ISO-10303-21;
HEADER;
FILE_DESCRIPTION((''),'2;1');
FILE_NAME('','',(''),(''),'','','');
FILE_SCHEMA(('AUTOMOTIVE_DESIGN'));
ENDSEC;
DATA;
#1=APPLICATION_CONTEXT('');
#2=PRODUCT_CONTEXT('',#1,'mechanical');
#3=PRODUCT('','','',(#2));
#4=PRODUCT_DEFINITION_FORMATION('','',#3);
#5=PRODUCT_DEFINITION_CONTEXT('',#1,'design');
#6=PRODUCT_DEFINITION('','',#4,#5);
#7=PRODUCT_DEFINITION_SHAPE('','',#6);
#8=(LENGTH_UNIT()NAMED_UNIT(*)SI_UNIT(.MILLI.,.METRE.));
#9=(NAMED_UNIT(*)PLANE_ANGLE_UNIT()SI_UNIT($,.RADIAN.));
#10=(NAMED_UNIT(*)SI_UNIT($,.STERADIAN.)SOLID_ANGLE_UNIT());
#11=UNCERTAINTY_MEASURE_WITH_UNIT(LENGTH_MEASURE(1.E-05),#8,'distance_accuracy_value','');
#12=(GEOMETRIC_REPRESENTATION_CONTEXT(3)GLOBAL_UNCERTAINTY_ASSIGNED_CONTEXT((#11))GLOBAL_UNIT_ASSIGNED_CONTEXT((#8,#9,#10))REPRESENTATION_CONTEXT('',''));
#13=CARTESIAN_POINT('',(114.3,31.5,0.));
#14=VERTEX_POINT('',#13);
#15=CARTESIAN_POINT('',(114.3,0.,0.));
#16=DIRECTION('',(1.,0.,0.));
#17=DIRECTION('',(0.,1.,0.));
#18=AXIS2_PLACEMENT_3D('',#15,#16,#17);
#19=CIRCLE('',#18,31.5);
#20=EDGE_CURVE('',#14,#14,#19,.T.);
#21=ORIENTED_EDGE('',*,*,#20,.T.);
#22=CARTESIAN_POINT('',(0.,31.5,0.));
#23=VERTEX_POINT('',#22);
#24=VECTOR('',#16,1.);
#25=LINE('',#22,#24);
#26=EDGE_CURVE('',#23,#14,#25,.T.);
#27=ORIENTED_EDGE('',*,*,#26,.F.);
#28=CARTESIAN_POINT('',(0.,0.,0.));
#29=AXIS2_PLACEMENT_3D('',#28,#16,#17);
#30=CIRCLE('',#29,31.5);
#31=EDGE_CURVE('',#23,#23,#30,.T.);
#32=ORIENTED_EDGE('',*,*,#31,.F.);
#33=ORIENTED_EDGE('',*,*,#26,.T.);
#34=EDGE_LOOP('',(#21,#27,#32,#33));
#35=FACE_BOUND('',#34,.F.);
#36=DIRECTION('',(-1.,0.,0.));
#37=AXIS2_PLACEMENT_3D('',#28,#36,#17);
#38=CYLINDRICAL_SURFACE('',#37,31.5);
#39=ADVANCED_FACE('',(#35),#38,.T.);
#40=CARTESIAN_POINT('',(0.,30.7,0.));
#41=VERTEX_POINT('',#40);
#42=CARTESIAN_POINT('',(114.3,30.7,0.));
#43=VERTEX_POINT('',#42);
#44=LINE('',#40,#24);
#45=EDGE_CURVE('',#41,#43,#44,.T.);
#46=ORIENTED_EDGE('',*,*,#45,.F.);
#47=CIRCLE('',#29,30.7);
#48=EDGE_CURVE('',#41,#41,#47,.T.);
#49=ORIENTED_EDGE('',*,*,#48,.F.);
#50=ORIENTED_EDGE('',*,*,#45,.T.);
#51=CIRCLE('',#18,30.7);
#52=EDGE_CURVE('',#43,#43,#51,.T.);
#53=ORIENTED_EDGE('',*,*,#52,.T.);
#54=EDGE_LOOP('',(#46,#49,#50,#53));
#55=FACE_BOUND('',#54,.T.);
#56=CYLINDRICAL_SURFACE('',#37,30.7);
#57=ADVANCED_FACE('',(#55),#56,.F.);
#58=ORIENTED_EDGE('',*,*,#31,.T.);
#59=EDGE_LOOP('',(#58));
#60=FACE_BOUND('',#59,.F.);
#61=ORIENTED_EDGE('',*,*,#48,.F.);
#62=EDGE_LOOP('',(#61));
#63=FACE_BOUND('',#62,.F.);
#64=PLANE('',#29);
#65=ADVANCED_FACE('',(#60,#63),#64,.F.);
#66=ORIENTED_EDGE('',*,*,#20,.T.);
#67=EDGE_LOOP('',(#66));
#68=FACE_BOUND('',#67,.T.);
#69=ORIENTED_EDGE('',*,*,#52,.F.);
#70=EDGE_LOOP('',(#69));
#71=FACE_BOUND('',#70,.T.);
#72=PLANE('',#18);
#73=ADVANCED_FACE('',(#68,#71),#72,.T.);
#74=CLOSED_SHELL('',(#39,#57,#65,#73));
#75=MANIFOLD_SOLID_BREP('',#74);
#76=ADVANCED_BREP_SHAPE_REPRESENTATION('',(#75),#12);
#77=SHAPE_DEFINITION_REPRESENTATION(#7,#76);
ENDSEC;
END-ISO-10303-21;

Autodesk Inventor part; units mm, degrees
ref_plane "YZ Plane" through (0, 0, 0) normal (1, 0, 0) x (0, 1, 0)
ref_plane "XZ Plane" through (0, 0, 0) normal (0, 1, 0) x (-1, 0, 0)
ref_plane "XY Plane" through (0, 0, 0) normal (0, 0, 1) x (1, 0, 0)
sketch "Sketch1" plane through (0, 0, 0) normal (1, 0, 0) x (0, 1, 0)
  circle A0 centre (0, 0) radius 31.5
  circle A1 centre (0, 0) radius 30.7
  dimension "d0" = 63
  dimension "d1" = 0.8
extrude "Extrusion1" add sketch "Sketch1" along normal blind 114.3
equation "\"d0\" = OD"
equation "\"d1\" = t"
equation "\"d2\" = L"
equation "\"OD\" = 63"
equation "\"t\" = 0.8"
equation "\"L\" = PL"
equation "\"ID\" = 61.4"
equation "\"PL\" = 114.3"
properties part number "ISO 4065 Pipe DN63x0.8xS40 - 139.70000000" material "PVC-Piping"
